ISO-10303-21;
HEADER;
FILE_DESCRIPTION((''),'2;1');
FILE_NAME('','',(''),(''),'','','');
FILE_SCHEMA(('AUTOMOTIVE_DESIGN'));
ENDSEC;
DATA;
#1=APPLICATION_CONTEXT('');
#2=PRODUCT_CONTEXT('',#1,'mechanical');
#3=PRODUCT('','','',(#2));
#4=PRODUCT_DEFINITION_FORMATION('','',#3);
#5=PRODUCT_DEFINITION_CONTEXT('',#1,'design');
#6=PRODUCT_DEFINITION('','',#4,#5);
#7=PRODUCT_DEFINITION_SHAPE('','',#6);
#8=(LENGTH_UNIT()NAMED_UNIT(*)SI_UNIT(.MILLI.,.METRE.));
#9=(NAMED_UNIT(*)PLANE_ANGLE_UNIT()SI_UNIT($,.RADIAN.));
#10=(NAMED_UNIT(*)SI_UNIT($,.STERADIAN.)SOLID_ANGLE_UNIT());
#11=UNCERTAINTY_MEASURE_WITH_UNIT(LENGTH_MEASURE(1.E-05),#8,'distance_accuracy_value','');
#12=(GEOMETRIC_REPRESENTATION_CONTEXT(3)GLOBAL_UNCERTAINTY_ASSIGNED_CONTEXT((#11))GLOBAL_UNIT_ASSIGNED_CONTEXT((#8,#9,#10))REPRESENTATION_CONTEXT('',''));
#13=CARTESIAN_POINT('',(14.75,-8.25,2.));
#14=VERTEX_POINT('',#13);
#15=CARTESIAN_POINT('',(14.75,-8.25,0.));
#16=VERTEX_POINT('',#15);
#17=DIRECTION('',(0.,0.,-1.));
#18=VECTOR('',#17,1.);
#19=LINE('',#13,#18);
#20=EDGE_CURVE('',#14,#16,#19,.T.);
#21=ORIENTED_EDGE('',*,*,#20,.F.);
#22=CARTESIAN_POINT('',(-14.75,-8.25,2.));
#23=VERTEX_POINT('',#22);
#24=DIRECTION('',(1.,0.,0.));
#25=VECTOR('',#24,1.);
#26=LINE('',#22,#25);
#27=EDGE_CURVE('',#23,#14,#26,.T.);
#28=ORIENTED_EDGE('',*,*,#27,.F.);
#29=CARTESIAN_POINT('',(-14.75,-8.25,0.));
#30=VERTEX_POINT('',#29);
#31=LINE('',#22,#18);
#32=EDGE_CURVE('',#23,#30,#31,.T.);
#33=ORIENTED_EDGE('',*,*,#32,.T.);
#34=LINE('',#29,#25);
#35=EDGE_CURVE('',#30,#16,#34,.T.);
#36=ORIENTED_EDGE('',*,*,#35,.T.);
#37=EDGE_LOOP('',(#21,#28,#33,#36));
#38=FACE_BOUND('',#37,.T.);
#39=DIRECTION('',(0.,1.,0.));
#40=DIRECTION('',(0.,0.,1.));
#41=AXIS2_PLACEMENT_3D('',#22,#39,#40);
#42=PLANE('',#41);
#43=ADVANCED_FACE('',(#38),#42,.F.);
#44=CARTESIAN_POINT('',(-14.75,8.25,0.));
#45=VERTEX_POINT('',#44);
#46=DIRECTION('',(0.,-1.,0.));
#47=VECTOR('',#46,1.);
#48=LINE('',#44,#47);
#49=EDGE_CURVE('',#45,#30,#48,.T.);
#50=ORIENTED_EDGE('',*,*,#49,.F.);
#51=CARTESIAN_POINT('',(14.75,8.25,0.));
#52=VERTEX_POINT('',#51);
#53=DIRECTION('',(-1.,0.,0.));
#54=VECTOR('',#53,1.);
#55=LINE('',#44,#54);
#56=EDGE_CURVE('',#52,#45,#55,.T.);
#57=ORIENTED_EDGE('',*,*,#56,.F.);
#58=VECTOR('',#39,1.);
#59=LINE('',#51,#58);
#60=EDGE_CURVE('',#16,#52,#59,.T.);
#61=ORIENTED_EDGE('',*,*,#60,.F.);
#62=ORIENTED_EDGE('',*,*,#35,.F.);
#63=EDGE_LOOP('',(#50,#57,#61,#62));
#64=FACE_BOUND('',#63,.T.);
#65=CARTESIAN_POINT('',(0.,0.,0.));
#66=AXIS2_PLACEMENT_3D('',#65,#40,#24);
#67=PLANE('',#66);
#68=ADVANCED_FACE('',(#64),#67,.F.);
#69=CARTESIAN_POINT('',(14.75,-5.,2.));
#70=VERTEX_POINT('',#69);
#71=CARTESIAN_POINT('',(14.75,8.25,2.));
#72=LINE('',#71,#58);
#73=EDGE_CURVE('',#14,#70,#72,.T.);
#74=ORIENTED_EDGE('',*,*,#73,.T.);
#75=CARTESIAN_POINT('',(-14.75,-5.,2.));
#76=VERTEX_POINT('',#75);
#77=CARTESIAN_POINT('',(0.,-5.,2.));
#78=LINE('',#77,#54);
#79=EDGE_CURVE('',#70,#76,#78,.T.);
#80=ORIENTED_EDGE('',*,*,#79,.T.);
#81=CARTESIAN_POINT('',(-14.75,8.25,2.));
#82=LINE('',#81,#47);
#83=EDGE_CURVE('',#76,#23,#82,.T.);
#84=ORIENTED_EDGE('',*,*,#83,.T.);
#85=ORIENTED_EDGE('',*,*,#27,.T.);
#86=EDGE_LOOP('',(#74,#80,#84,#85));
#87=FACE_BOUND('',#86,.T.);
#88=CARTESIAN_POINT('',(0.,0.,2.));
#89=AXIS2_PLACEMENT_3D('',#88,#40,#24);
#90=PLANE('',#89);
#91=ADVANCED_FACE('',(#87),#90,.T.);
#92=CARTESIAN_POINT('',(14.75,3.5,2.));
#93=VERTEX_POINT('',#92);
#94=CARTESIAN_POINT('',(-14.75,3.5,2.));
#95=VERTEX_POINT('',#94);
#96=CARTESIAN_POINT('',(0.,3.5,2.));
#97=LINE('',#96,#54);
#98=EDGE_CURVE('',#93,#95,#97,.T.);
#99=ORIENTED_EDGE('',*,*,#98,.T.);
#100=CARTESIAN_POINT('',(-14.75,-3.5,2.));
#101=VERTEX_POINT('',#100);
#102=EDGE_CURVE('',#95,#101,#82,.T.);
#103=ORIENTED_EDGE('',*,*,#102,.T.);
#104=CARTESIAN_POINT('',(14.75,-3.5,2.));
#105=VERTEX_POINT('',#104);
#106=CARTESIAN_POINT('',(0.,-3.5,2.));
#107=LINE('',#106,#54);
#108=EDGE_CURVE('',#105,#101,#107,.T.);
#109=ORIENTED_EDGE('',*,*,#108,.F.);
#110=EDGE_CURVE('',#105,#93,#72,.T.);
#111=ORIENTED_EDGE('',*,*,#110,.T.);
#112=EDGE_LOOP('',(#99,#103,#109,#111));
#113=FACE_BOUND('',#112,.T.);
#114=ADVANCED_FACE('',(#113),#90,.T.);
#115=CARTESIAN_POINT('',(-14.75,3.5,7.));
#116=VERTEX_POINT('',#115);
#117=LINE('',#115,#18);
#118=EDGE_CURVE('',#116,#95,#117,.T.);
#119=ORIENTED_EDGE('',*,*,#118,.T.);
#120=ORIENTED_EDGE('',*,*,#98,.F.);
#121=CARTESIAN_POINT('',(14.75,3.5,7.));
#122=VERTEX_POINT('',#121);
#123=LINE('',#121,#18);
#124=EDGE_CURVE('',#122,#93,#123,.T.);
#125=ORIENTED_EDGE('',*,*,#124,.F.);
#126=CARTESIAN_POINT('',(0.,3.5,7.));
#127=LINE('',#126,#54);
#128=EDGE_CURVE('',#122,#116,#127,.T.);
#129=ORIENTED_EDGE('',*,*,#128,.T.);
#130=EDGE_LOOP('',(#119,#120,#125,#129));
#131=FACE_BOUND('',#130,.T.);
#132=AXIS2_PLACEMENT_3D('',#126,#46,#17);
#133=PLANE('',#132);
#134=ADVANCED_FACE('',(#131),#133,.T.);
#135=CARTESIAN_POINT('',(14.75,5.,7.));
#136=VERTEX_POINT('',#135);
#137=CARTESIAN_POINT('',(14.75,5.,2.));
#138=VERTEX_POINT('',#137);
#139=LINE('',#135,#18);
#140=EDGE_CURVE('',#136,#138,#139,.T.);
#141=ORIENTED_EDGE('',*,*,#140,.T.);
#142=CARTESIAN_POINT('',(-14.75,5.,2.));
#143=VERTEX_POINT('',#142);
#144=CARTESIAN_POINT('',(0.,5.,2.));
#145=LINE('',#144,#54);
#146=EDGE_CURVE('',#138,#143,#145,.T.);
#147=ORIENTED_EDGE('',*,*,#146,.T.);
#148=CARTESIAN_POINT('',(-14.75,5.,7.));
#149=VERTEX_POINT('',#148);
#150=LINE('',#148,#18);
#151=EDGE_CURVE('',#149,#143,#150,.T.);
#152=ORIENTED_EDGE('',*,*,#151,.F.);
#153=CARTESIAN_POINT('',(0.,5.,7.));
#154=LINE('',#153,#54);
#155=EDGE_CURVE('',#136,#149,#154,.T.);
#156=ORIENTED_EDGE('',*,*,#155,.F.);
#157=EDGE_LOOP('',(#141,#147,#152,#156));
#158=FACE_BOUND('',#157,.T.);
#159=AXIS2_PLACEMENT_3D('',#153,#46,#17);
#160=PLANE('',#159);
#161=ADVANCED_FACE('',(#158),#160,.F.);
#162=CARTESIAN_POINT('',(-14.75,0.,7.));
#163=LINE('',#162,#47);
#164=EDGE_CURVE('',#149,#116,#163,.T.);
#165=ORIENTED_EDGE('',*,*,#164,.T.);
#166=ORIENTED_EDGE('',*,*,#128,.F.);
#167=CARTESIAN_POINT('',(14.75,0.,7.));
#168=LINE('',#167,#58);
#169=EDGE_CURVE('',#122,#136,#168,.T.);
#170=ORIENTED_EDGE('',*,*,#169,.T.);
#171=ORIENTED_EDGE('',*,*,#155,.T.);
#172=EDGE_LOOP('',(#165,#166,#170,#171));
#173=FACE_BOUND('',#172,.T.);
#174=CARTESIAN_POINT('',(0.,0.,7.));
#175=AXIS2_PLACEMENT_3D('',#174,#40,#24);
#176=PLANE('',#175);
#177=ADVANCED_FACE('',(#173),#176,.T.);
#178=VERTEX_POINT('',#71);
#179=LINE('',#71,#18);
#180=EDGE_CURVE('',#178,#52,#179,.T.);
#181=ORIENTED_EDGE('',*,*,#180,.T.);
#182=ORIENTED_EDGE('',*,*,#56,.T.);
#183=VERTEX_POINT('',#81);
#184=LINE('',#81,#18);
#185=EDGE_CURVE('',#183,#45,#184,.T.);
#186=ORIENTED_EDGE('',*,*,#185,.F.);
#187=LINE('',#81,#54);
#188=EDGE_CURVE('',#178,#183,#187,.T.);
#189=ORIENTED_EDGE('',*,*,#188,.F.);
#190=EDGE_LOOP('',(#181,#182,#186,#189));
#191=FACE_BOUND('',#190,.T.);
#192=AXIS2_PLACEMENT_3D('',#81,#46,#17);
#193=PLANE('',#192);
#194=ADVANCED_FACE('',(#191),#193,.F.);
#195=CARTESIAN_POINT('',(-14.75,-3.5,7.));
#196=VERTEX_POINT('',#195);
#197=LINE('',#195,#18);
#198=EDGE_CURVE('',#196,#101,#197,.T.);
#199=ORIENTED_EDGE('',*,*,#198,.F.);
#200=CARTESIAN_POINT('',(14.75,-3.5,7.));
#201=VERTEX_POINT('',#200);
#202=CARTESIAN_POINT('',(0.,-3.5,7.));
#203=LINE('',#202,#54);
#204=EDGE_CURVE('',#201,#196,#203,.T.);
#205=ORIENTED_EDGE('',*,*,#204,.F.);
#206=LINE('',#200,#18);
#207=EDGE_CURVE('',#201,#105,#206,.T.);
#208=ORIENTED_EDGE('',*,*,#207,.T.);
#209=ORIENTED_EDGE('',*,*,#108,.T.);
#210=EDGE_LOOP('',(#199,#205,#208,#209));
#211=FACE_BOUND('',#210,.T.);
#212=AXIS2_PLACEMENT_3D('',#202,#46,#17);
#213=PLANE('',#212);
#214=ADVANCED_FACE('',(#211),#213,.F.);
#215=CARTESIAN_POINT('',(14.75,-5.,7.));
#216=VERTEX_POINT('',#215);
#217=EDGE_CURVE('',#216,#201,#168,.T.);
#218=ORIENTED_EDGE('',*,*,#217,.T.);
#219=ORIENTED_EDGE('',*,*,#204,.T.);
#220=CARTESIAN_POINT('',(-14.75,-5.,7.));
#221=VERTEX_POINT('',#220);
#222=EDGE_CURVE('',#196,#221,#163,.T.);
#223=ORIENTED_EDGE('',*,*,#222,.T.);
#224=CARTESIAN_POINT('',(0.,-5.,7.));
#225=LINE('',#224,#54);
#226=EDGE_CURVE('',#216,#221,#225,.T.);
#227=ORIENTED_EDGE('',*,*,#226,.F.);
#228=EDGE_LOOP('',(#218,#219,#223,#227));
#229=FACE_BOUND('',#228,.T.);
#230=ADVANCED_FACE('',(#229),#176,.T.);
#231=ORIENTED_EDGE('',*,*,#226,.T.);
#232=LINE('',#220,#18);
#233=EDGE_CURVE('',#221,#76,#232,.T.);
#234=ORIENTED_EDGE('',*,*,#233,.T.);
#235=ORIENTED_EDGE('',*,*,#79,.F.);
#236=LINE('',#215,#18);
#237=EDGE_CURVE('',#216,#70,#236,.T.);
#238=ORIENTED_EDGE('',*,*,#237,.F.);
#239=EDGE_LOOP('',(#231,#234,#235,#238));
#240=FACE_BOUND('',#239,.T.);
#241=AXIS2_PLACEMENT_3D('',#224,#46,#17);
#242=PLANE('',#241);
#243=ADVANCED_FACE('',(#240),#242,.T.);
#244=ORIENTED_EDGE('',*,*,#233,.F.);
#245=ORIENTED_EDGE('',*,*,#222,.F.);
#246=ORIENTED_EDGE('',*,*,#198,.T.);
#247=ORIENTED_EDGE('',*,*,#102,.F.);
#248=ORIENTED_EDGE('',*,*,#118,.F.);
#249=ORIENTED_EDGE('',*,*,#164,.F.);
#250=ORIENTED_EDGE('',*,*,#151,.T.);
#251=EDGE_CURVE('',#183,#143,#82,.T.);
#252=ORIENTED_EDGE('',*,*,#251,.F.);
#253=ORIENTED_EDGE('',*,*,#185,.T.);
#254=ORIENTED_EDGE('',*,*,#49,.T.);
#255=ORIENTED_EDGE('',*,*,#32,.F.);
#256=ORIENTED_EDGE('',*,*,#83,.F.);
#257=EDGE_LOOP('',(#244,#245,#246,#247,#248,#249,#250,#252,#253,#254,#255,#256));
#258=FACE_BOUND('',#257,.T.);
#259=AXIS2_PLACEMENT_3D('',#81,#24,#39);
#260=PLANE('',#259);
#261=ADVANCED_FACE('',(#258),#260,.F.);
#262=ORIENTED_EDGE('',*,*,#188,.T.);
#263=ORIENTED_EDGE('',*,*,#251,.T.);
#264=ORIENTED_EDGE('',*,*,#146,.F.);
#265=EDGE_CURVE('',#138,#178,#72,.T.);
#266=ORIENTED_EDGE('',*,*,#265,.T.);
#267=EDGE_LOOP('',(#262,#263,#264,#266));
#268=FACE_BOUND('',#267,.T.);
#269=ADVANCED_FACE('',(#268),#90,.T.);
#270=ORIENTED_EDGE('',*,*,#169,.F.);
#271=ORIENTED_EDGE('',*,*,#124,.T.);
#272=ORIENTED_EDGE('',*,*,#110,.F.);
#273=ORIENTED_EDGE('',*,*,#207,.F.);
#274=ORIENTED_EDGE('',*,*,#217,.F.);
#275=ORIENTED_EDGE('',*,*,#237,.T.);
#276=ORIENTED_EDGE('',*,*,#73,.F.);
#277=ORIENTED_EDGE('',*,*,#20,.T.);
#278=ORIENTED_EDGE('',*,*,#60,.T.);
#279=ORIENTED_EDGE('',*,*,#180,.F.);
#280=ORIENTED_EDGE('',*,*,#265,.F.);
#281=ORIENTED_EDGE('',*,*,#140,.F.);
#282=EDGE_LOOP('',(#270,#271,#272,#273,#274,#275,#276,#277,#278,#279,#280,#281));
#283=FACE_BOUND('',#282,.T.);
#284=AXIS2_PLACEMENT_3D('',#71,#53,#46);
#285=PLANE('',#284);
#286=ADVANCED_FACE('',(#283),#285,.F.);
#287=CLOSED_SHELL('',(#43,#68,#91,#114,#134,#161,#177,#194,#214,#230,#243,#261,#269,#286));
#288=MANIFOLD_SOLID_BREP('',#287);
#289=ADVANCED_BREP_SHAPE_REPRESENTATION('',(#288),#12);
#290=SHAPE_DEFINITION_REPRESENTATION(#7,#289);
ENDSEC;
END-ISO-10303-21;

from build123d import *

# Parameters (mm, degrees)
SZKIC1_W                    = 29.5
SZKIC1_H                    = 16.5
DODANIE_WYCI_GNI_CIE1_DEPTH = 2
SZKIC2_W                    = 29.5
SZKIC2_H                    = 1.5
DODANIE_WYCI_GNI_CIE2_DEPTH = 5


with BuildPart() as part:
    # Szkic1 → Dodanie-wyciągnięcie1 (new body)
    with BuildSketch(Plane.XY):
        Rectangle(SZKIC1_W, SZKIC1_H)
    extrude(amount=DODANIE_WYCI_GNI_CIE1_DEPTH)

    # Szkic2 → Dodanie-wyciągnięcie2 (add)
    with BuildSketch(Plane.XY.offset(2)):
        with Locations((0, 4.25)):
            Rectangle(SZKIC2_W, SZKIC2_H)
        with Locations((0, -4.25)):
            Rectangle(SZKIC2_W, SZKIC2_H)
    extrude(amount=DODANIE_WYCI_GNI_CIE2_DEPTH)


solid = part.part
